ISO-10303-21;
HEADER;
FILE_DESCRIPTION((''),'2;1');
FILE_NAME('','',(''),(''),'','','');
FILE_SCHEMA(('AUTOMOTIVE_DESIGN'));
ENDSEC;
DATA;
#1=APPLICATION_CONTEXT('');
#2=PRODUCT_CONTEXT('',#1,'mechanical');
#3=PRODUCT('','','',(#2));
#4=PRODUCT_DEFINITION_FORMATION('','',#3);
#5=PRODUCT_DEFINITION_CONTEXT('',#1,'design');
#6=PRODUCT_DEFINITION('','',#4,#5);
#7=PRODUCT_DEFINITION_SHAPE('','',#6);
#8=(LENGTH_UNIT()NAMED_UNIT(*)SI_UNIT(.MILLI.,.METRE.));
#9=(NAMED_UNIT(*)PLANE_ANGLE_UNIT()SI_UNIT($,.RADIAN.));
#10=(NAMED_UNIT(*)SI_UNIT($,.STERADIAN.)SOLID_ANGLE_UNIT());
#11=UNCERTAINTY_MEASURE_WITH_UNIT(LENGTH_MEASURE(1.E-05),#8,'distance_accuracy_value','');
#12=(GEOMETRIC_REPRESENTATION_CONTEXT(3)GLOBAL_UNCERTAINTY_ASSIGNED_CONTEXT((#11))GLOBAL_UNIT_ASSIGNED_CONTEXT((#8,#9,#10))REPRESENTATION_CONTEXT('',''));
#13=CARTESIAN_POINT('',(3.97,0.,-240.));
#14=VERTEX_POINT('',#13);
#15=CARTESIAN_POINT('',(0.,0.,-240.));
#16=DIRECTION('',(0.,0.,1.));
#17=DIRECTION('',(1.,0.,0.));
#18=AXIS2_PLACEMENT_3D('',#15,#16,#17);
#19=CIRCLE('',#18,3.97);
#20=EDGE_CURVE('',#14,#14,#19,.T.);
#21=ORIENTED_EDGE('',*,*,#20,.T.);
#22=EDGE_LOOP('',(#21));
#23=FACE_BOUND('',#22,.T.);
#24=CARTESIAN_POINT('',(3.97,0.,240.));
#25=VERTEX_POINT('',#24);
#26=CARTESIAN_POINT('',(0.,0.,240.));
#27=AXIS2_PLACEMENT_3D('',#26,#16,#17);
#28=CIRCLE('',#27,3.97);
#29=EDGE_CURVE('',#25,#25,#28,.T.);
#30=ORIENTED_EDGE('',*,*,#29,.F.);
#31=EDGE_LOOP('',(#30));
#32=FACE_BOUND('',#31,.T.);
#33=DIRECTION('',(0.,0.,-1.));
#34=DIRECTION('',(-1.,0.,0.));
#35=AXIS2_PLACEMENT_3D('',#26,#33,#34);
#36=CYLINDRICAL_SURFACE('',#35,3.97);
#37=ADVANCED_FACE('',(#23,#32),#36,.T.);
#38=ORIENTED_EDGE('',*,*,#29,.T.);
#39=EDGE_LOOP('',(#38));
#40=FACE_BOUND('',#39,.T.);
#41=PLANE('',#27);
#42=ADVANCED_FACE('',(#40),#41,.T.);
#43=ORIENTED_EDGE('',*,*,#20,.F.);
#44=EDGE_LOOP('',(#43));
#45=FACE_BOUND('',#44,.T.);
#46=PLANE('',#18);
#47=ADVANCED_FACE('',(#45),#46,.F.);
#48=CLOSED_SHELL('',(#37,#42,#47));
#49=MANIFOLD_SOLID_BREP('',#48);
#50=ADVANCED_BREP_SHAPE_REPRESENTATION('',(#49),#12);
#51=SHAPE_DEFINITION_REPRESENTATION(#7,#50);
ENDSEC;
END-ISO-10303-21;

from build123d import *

# Parameters (mm, degrees)
ESBO_O1_R                = 3.97
RESSALTO_EXTRUS_O1_DEPTH = 240


with BuildPart() as part:
    # Esboço1 → Ressalto-extrusão1 (new body, symmetric)
    with BuildSketch(Plane.XY):
        Circle(ESBO_O1_R)
    extrude(amount=RESSALTO_EXTRUS_O1_DEPTH, both=True)


solid = part.part
